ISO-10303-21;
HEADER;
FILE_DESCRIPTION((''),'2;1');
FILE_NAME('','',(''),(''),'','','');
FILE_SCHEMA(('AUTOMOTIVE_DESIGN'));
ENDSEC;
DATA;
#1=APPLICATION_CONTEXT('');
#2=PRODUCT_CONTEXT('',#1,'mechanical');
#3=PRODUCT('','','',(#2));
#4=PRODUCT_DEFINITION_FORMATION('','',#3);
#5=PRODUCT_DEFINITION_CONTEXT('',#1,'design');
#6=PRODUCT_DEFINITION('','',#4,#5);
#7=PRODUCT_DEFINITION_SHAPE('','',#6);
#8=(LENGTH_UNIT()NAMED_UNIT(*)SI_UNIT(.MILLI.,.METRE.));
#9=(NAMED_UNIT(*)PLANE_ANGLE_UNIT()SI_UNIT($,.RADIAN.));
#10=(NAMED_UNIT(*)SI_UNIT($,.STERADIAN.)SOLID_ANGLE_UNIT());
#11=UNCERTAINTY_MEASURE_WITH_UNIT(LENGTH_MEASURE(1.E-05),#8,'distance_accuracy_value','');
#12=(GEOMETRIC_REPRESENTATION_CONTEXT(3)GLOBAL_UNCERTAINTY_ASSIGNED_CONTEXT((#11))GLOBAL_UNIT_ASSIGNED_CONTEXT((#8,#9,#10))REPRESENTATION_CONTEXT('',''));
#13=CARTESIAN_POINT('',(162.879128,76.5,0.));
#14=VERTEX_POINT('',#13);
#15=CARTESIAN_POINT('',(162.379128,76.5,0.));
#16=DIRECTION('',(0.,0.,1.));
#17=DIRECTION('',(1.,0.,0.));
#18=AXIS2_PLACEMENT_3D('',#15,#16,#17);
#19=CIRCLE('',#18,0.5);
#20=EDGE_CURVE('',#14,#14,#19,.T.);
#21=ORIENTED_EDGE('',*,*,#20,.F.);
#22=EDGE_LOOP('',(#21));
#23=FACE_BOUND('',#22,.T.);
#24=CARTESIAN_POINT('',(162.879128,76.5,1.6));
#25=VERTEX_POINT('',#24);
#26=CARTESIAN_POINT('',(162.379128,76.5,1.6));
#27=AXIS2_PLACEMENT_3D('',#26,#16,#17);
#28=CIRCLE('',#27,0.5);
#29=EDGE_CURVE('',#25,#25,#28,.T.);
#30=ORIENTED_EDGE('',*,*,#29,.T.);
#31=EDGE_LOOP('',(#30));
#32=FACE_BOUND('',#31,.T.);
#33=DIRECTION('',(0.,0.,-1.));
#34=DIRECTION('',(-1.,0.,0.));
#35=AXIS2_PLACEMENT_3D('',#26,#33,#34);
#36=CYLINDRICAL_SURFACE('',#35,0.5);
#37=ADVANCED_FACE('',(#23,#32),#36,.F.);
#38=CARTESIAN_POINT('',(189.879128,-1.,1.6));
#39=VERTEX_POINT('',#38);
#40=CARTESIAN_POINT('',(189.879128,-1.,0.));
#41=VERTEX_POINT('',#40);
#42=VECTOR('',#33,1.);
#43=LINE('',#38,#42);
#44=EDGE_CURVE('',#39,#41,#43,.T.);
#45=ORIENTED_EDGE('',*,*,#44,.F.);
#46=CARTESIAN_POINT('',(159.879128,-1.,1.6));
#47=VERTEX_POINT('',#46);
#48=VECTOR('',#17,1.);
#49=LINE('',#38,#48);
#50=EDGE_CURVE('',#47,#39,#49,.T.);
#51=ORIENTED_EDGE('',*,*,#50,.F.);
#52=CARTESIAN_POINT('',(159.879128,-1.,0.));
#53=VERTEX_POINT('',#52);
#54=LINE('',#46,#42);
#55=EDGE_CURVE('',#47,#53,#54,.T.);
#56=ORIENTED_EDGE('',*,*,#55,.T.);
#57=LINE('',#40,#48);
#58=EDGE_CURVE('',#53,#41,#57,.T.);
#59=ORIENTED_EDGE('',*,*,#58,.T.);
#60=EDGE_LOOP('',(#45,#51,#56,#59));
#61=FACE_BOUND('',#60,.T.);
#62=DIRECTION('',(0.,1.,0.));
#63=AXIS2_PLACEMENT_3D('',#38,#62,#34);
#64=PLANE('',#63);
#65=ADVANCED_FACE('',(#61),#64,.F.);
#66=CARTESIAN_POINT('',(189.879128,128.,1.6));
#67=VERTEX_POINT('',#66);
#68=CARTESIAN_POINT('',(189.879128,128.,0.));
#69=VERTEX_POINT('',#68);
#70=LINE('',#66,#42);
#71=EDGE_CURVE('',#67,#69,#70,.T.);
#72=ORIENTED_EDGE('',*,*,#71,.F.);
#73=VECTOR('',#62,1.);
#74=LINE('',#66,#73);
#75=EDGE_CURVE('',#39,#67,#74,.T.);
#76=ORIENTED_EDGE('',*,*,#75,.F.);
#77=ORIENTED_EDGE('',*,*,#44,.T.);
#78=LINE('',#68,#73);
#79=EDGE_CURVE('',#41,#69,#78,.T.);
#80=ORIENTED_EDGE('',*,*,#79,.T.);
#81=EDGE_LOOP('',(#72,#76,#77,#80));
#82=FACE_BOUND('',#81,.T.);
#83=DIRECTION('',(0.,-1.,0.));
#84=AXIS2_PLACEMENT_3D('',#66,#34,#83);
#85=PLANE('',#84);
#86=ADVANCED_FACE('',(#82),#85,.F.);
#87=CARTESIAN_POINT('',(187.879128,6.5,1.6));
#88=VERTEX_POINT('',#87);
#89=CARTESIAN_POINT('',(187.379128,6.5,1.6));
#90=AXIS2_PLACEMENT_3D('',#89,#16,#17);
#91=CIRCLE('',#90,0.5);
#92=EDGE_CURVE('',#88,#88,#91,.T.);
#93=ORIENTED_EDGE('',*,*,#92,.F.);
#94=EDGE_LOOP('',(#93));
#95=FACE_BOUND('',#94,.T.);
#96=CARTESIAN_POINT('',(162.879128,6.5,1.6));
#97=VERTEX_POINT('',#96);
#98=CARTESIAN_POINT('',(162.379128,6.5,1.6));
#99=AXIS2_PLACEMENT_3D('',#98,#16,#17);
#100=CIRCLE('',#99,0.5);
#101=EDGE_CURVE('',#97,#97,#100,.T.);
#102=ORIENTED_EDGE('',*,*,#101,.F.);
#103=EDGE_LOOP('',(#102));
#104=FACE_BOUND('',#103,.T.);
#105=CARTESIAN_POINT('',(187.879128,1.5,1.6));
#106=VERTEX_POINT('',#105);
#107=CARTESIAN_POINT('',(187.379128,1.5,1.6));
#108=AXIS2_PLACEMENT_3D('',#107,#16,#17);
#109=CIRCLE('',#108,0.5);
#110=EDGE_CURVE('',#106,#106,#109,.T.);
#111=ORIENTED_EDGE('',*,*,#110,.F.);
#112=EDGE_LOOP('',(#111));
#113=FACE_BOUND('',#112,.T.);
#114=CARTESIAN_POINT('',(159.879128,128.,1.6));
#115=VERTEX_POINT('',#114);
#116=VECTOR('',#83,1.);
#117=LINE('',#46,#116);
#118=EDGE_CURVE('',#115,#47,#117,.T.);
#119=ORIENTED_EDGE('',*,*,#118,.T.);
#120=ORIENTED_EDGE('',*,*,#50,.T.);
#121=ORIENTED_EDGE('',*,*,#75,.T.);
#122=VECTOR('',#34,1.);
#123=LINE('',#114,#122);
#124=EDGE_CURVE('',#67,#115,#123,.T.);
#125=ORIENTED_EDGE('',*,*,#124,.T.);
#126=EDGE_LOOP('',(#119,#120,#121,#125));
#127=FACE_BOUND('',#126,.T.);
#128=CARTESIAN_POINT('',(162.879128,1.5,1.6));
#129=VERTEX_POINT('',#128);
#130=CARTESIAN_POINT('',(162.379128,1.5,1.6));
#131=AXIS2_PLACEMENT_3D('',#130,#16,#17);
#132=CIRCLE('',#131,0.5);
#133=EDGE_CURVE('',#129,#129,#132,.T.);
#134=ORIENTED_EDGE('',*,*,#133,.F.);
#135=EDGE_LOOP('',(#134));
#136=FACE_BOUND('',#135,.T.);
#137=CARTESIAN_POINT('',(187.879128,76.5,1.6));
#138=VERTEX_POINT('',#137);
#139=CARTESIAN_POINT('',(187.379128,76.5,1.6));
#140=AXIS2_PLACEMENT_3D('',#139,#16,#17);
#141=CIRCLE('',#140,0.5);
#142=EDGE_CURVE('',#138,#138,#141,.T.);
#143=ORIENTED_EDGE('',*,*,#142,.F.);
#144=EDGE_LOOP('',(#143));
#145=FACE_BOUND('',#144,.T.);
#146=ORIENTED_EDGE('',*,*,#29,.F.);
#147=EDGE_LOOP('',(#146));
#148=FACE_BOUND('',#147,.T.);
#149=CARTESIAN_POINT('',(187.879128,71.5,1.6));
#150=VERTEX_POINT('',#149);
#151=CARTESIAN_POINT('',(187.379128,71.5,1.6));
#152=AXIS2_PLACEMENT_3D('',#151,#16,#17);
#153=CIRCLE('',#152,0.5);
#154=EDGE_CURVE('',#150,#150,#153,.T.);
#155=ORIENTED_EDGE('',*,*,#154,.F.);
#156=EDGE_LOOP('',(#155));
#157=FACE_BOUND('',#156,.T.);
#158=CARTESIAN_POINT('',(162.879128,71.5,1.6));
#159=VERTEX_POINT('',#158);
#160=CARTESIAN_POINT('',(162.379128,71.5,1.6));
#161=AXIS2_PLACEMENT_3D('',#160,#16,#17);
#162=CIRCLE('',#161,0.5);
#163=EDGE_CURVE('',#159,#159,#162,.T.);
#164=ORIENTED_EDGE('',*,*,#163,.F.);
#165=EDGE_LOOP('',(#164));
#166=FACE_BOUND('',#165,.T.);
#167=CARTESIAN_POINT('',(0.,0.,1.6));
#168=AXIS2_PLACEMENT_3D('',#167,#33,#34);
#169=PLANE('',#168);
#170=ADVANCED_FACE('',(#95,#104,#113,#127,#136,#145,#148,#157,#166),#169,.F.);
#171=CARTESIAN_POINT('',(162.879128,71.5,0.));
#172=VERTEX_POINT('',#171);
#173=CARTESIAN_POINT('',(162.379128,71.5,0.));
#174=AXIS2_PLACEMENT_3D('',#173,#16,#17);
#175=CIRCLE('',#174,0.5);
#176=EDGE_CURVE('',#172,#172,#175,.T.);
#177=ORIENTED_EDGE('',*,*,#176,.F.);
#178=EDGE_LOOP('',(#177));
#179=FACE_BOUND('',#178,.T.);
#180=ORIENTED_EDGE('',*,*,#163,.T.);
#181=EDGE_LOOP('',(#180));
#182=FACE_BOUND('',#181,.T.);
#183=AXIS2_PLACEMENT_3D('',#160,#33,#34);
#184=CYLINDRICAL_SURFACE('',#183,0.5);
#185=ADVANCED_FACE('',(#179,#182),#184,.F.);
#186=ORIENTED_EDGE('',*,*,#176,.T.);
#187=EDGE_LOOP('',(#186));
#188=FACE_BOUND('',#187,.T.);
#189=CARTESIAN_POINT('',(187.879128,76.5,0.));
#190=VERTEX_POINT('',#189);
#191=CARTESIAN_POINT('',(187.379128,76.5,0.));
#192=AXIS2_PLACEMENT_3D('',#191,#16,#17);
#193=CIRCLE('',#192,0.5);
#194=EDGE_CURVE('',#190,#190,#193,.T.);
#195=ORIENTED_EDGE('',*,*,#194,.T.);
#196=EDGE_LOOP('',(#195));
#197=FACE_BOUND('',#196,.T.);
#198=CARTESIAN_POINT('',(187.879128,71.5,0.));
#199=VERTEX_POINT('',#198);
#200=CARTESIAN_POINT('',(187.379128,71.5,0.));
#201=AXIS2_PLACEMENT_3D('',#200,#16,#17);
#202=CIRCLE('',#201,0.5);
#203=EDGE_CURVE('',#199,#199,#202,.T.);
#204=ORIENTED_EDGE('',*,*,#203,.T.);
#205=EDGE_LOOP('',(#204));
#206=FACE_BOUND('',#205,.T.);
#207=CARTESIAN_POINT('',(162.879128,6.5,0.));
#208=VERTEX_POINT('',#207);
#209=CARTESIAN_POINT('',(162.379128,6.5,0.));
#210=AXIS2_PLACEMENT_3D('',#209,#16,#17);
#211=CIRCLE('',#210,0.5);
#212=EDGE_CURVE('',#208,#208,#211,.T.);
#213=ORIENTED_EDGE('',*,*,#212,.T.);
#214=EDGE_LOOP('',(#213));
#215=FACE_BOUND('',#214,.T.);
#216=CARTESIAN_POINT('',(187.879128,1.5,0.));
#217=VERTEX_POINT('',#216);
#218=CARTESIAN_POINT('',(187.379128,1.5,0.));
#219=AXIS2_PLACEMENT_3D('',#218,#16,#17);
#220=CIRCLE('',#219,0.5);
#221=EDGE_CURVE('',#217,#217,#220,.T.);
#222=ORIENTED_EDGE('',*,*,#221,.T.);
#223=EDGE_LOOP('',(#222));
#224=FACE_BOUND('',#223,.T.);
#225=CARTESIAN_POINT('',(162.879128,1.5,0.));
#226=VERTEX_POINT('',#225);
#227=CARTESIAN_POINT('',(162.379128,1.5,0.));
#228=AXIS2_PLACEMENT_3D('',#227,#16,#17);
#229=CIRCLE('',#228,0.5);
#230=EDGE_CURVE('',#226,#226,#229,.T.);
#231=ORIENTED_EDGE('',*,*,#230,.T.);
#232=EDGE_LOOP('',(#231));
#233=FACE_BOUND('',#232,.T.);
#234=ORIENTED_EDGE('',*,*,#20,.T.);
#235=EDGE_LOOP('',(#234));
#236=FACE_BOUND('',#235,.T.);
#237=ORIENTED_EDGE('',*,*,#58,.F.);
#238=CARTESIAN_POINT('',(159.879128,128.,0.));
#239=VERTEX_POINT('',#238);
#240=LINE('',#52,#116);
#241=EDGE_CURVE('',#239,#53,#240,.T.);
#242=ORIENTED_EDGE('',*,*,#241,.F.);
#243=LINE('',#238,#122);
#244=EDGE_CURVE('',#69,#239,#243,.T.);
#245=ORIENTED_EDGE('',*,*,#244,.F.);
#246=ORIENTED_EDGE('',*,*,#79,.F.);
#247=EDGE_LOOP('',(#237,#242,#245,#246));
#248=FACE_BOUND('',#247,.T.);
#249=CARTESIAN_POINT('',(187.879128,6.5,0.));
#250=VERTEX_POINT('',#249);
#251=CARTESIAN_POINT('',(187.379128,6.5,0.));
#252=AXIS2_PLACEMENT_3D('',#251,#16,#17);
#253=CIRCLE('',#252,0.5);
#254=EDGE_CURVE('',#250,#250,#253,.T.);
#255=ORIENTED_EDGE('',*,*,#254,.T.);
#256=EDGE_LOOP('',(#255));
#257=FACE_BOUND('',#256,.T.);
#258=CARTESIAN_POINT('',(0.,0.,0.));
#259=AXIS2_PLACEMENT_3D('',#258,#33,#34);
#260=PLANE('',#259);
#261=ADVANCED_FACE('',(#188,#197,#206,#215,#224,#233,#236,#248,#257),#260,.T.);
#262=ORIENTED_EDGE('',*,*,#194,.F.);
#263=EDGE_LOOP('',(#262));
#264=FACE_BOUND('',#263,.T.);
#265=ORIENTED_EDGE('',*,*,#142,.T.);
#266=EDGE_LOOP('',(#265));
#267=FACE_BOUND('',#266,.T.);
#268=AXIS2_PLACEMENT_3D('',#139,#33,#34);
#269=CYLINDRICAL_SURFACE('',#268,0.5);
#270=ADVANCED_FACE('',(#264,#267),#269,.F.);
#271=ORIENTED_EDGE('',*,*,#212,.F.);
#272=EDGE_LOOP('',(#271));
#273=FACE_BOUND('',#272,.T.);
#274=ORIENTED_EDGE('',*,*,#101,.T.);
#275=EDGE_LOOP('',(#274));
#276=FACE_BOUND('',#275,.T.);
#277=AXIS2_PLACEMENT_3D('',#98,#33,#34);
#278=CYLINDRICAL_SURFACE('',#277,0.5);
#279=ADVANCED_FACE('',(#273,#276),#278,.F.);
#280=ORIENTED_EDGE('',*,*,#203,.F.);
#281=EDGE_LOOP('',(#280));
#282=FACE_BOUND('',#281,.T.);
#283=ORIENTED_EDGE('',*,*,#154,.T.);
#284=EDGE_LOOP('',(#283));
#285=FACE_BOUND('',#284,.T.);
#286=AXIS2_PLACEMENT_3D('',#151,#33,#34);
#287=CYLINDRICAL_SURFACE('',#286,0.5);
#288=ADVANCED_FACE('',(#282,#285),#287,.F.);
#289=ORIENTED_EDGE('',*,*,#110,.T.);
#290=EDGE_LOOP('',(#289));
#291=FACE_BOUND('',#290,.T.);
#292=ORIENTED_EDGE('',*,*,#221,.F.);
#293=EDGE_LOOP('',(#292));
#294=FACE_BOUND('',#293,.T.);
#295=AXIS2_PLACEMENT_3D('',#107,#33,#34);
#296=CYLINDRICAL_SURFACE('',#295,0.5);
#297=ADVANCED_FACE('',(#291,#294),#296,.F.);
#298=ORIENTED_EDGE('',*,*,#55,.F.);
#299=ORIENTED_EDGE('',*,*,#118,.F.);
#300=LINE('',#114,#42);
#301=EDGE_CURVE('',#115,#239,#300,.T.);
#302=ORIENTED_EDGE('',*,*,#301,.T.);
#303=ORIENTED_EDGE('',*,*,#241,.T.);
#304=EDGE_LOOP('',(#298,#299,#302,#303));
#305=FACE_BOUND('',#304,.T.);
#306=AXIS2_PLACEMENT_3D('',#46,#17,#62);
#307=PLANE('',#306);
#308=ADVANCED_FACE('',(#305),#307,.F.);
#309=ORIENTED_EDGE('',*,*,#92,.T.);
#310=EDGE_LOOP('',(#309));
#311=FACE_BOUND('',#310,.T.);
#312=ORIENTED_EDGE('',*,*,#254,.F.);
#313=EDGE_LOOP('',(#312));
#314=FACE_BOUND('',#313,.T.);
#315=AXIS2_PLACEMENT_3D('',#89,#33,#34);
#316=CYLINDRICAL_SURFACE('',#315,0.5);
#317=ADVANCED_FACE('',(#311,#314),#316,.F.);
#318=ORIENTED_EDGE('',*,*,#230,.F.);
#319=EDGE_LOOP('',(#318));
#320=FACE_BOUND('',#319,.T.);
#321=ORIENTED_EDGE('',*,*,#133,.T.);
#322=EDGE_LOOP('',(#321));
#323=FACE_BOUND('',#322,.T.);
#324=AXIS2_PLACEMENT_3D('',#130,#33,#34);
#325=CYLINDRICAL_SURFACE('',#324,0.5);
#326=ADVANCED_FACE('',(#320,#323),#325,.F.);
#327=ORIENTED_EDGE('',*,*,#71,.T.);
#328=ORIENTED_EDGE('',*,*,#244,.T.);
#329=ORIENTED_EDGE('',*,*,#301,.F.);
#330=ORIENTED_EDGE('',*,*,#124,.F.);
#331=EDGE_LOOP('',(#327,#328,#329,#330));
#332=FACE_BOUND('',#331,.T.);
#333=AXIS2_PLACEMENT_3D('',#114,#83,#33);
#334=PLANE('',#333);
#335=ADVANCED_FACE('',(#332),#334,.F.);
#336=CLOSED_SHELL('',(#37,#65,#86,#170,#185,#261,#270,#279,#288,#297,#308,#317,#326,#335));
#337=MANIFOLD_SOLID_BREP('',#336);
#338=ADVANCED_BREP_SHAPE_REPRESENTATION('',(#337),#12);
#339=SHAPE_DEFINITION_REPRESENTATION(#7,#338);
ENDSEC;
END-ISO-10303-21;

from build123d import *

# Parameters (mm, degrees)
MODEL_W             = 30
MODEL_H             = 129.000000068
MODEL_R             = 0.5
BOSS_EXTRUDE1_DEPTH = 1.6


with BuildPart() as part:
    # Model → Boss-Extrude1 (new body)
    with BuildSketch(Plane.XY):
        with Locations((174.879127707, 63.499999966)):
            Rectangle(MODEL_W, MODEL_H)
        with Locations((162.379127707, 6.499999932)):
            Circle(MODEL_R, mode=Mode.SUBTRACT)
        with Locations((162.379127707, 71.499999932)):
            Circle(MODEL_R, mode=Mode.SUBTRACT)
        with Locations((187.379127707, 6.499999932)):
            Circle(MODEL_R, mode=Mode.SUBTRACT)
        with Locations((187.379127707, 71.499999932)):
            Circle(MODEL_R, mode=Mode.SUBTRACT)
        with Locations((162.379127707, 76.499999932)):
            Circle(MODEL_R, mode=Mode.SUBTRACT)
        with Locations((187.379127707, 76.499999932)):
            Circle(MODEL_R, mode=Mode.SUBTRACT)
        with Locations((162.379127707, 1.499999932)):
            Circle(MODEL_R, mode=Mode.SUBTRACT)
        with Locations((187.379127707, 1.499999932)):
            Circle(MODEL_R, mode=Mode.SUBTRACT)
    extrude(amount=BOSS_EXTRUDE1_DEPTH)


solid = part.part
